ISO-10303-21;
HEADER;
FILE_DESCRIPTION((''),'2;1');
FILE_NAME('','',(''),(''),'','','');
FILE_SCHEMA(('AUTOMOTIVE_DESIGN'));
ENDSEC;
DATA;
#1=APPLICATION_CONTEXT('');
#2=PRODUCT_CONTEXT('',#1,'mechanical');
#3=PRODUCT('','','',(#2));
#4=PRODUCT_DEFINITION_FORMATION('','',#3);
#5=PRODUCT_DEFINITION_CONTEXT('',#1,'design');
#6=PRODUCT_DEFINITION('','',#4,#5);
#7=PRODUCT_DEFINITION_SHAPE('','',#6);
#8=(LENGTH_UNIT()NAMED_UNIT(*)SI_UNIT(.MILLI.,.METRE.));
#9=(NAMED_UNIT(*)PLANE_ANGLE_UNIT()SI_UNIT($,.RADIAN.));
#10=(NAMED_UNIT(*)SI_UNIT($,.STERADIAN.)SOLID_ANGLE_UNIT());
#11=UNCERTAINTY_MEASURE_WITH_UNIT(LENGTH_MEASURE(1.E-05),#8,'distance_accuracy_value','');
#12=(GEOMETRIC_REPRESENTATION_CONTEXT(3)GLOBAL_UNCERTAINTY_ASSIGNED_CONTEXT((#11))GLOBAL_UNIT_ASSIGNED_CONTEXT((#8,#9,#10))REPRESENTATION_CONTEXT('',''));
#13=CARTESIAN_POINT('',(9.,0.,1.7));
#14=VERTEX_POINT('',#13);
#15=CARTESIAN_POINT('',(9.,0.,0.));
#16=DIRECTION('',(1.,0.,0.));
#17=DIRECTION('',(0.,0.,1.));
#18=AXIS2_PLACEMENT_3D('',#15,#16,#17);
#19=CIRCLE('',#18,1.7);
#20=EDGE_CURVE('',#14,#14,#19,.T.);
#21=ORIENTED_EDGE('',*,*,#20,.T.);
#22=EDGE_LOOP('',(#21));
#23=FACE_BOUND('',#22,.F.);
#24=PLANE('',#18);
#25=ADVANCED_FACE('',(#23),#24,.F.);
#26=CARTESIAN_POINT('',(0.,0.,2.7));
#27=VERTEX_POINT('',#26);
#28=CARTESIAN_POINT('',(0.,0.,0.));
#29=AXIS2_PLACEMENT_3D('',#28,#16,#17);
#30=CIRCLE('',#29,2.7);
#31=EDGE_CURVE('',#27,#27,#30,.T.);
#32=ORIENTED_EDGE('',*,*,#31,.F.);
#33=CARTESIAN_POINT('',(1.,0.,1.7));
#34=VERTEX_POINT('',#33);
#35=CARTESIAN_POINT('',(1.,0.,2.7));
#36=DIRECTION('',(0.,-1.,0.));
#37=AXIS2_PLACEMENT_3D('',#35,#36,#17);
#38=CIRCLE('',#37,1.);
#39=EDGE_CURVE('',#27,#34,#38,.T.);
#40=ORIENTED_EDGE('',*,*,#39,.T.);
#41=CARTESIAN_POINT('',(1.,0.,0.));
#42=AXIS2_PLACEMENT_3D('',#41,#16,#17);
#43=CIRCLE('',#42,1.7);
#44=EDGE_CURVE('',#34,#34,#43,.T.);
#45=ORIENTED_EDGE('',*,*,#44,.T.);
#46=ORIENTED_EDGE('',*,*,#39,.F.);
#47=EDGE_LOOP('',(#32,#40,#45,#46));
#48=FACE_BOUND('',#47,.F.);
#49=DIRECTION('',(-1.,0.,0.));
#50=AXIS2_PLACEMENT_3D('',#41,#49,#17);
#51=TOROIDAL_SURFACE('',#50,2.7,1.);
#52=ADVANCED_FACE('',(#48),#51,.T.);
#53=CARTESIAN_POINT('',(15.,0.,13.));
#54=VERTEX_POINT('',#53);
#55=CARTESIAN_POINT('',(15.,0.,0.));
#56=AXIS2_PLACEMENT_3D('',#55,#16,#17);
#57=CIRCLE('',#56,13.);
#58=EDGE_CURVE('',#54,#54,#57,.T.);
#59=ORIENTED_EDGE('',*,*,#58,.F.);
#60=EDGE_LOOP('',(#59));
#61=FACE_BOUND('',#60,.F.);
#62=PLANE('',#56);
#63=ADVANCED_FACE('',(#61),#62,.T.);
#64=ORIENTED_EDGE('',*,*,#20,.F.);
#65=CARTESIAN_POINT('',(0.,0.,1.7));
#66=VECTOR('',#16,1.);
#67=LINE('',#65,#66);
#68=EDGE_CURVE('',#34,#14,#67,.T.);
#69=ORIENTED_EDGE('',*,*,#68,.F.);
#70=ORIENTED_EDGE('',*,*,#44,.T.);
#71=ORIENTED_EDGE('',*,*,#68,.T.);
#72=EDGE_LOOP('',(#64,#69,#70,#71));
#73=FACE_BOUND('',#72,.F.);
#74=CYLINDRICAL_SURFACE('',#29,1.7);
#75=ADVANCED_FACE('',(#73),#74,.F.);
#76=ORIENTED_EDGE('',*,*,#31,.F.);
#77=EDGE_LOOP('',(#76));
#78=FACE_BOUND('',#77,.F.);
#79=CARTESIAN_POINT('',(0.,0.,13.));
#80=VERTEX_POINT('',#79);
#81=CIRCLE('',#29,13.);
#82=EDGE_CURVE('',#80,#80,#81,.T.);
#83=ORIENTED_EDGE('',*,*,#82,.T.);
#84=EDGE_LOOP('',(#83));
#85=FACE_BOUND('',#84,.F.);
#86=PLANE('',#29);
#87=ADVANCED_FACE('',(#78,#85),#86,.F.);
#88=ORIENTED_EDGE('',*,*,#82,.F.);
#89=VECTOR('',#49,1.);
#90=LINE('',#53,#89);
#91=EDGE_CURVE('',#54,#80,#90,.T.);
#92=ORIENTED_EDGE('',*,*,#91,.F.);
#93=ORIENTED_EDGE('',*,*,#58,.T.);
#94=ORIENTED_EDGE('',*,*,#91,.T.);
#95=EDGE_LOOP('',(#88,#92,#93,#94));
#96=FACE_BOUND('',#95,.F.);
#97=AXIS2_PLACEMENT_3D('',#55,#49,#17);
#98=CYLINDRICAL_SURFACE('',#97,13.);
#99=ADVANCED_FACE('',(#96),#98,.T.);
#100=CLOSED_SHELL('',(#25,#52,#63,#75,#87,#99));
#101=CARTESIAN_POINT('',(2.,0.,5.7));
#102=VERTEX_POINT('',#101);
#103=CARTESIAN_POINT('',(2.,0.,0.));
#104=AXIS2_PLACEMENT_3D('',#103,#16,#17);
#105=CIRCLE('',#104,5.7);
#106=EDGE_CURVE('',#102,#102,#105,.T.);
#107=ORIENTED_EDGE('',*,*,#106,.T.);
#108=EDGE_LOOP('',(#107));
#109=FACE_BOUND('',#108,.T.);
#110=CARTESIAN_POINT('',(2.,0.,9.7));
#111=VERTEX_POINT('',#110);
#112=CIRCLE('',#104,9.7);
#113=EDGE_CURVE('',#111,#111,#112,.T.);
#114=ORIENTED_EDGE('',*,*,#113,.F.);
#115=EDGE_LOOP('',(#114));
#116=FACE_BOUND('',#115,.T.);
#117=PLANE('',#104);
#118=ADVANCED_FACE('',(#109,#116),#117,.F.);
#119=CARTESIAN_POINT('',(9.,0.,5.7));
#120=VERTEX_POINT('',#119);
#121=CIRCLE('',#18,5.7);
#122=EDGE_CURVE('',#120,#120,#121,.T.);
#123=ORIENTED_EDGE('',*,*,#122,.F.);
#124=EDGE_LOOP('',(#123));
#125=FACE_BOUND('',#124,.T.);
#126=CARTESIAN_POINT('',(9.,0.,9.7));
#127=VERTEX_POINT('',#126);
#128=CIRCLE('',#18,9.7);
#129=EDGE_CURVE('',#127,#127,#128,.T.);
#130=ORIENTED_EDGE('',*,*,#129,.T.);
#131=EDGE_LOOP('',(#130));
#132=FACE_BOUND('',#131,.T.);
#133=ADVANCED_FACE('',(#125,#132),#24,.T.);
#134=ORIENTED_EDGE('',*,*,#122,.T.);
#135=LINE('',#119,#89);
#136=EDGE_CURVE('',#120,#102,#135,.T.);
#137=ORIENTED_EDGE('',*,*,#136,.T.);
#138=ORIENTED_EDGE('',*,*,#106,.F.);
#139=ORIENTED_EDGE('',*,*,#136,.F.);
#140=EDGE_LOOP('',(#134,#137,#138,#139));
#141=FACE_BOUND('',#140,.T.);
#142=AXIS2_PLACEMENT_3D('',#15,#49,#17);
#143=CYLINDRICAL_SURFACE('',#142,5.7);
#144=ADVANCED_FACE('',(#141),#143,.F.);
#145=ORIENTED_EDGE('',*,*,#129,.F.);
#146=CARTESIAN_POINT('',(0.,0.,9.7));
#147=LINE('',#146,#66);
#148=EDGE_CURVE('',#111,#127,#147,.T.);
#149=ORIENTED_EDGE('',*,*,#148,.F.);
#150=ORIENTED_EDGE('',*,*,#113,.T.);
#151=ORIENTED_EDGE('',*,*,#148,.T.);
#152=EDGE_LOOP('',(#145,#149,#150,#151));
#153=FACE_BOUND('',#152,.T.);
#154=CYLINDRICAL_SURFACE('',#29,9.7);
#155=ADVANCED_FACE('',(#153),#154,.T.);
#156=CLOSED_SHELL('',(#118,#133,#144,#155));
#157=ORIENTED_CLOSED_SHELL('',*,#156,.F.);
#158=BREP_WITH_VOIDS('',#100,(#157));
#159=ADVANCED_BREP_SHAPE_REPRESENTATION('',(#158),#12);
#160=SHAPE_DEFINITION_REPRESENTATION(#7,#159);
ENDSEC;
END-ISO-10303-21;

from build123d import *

# Parameters (mm, degrees)
F0_W = 2
F0_H = 4
F2_R = 1


with BuildPart() as f1:
    # F0 (on Front) → F1 (revolve)
    with BuildSketch(Plane.XZ):
        Polygon((15, 13), (0, 13), (0, 9.7), (2, 9.7), (9, 9.7), (9, 5.7), (2, 5.7), (0, 5.7), (0, 1.7), (9, 1.7), (9, 0), (15, 0), align=None)
        with Locations((1, 7.7)):
            Rectangle(F0_W, F0_H)
    revolve(axis=Axis((7.5, 0, 0), (1, 0, 0)))

    # F2
    f2_edges = [f1.edges().sort_by_distance(p)[0] for p in [
        (0, 0, -1.7),
    ]]
    fillet(f2_edges, radius=F2_R)


solid = f1.part
